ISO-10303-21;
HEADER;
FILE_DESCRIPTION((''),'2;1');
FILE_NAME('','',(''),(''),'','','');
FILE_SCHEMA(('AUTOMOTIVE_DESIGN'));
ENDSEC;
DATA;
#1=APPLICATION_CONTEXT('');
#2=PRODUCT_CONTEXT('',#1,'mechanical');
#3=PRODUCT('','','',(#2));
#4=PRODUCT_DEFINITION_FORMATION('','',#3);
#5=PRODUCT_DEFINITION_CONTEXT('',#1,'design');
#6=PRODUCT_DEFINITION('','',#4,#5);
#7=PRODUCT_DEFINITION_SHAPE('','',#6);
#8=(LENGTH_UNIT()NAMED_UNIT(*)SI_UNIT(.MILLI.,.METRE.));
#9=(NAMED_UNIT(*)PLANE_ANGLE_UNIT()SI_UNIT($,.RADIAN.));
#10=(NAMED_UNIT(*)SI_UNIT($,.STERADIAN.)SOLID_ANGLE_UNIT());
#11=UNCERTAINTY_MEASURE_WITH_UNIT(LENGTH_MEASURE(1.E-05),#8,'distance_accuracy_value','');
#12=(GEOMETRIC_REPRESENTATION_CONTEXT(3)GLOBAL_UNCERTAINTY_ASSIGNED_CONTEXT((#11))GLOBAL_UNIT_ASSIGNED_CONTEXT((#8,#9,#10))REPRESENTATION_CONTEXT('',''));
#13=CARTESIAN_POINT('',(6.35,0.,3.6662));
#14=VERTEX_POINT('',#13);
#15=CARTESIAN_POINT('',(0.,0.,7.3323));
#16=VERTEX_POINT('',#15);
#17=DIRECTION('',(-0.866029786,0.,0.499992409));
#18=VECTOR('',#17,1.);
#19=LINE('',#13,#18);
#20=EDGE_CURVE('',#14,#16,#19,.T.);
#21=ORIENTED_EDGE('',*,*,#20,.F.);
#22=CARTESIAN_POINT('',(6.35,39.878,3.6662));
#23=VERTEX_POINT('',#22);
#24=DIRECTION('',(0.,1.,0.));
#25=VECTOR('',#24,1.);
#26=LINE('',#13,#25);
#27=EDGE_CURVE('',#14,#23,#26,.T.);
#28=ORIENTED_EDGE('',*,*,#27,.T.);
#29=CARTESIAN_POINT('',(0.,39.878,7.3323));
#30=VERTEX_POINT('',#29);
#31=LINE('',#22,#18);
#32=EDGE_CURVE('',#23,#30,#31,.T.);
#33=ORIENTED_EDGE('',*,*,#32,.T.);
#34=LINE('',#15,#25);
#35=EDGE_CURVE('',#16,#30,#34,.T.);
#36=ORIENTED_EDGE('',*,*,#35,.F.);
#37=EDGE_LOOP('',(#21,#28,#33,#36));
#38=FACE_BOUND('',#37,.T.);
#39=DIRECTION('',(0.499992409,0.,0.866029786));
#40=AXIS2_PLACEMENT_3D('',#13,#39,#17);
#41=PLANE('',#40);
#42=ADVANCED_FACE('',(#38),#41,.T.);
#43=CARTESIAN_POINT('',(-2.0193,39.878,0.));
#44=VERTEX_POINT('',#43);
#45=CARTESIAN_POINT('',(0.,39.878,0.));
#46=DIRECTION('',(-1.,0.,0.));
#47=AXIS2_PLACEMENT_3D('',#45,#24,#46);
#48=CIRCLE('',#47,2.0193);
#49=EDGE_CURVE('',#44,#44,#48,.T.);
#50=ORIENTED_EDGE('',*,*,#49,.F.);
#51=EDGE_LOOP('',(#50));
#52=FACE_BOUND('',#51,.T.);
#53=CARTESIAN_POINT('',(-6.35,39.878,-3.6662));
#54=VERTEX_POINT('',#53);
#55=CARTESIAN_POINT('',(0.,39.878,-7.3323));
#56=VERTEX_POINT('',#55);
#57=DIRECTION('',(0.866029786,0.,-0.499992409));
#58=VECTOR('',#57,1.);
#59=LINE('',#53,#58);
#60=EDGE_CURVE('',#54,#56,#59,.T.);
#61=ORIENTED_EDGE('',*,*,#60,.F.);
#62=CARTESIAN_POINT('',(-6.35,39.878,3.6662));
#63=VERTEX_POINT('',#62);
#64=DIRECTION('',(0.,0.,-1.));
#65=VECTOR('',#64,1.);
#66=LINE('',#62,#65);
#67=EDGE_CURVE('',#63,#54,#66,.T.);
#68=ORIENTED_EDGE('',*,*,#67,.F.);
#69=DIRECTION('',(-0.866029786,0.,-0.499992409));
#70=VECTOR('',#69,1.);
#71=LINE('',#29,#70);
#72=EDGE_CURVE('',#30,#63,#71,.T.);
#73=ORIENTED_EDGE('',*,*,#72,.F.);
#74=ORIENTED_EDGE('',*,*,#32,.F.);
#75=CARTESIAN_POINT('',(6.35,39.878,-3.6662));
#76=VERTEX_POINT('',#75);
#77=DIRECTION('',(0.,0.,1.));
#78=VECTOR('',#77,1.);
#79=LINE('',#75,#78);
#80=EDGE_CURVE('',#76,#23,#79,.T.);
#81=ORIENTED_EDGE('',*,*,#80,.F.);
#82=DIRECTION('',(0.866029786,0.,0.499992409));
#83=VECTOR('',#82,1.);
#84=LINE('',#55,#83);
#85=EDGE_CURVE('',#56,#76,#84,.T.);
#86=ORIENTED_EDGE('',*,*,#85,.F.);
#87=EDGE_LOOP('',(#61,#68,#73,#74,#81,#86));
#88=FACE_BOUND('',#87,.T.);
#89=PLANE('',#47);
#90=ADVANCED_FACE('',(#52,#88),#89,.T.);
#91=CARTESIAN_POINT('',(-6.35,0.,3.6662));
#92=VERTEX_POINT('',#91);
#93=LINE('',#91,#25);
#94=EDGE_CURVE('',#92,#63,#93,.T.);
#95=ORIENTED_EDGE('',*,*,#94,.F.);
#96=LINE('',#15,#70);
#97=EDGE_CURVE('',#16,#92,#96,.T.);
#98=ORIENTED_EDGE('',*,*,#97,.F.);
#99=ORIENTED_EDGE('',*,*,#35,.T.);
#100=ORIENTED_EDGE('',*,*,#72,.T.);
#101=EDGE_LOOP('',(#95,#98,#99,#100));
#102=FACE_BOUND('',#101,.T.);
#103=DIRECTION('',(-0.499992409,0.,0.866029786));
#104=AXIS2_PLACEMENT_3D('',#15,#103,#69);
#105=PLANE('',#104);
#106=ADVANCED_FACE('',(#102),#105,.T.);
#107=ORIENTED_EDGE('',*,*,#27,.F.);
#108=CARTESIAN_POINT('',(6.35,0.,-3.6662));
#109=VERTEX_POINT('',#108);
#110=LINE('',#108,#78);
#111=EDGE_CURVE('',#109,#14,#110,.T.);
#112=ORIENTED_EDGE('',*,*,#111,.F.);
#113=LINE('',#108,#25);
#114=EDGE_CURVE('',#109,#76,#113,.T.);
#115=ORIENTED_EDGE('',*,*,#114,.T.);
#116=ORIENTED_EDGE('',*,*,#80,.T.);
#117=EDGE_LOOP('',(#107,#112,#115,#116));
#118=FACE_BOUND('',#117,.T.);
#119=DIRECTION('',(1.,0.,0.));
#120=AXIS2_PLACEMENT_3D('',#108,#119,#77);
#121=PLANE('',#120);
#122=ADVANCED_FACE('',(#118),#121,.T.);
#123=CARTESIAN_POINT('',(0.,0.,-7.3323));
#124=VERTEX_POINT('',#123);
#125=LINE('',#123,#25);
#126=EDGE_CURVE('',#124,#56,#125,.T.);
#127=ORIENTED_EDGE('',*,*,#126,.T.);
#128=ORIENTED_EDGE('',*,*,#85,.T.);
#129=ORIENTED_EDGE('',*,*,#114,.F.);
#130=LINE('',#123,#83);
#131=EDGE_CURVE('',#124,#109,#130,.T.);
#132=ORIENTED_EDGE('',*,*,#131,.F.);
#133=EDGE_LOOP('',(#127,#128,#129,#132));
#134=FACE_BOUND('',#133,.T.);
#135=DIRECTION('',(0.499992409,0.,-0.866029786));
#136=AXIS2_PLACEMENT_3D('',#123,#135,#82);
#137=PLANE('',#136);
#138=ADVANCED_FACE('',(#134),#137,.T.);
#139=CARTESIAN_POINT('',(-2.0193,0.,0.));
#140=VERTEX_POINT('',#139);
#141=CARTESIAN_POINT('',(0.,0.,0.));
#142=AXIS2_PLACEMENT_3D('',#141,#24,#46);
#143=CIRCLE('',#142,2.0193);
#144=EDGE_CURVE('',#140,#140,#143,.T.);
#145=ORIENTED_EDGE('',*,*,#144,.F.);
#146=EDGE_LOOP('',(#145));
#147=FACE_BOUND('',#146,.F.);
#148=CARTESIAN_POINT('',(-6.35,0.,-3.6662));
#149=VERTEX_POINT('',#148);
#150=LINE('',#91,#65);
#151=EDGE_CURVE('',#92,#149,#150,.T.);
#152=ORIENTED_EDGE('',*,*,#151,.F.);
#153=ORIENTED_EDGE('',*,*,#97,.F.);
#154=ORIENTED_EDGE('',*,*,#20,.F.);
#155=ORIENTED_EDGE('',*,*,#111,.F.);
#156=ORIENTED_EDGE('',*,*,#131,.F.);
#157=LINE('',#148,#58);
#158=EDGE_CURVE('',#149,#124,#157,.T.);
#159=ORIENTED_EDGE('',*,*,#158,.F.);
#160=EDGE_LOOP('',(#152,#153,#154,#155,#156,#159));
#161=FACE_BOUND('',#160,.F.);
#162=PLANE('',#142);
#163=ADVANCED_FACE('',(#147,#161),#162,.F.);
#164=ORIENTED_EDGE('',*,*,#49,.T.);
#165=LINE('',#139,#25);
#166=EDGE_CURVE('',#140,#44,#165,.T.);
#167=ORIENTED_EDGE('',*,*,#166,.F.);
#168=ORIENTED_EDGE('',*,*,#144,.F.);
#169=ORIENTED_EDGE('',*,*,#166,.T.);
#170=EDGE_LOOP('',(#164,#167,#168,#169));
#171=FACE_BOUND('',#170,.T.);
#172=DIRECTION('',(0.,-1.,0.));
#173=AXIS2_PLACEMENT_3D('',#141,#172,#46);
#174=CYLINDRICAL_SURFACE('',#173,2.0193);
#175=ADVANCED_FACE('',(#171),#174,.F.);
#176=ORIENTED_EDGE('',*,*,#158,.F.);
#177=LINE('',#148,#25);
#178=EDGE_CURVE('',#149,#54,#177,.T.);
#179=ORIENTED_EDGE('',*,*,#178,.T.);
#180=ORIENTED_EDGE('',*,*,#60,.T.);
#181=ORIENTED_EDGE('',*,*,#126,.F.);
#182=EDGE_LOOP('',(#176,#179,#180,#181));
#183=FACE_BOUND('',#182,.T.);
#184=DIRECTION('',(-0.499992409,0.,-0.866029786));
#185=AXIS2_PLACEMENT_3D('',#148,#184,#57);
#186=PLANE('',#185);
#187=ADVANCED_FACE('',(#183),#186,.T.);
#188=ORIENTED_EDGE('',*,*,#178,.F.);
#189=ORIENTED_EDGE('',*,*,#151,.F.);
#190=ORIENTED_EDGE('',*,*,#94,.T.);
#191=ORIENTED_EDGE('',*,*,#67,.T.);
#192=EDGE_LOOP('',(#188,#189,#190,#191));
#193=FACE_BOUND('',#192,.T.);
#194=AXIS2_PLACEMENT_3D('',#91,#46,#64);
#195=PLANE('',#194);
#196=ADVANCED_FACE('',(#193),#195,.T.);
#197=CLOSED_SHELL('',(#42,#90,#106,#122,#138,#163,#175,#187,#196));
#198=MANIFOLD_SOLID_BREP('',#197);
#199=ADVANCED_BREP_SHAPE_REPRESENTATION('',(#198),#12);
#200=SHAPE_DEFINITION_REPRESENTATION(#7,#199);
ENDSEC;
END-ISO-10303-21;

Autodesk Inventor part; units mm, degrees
ref_plane "YZ Plane" through (0, 0, 0) normal (1, 0, 0) x (0, 1, 0)
ref_plane "XZ Plane" through (0, 0, 0) normal (0, 1, 0) x (-1, 0, 0)
ref_plane "XY Plane" through (0, 0, 0) normal (0, 0, 1) x (1, 0, 0)
sketch "Sketch1" plane through (0, 0, 0) normal (0, 1, 0) x (-1, 0, 0)
  line L0 (0, -7.3323) -> (-6.35, -3.6662)
  line L1 (-6.35, -3.6662) -> (-6.35, 3.6662)
  line L2 (-6.35, 3.6662) -> (0, 7.3323)
  line L3 (0, 7.3323) -> (6.35, 3.6662)
  line L4 (6.35, 3.6662) -> (6.35, -3.6662)
  line L5 (6.35, -3.6662) -> (0, -7.3323)
  circle A0 centre (0, 0) radius 2.0193
  point P0 (-3.175, 5.4993)
  point P1 (6.35, 0)
  dimension "d0" = 12.7
  dimension "d1" = 4.0386
extrude "Extrusion1" add sketch "Sketch1" along normal blind 39.878
thread "Thread1" size "10-32 UNF" class "2B" standard "ANSI Unified Screw Threads" full length
properties part number "Gearbox4_003_Hexshaft"
